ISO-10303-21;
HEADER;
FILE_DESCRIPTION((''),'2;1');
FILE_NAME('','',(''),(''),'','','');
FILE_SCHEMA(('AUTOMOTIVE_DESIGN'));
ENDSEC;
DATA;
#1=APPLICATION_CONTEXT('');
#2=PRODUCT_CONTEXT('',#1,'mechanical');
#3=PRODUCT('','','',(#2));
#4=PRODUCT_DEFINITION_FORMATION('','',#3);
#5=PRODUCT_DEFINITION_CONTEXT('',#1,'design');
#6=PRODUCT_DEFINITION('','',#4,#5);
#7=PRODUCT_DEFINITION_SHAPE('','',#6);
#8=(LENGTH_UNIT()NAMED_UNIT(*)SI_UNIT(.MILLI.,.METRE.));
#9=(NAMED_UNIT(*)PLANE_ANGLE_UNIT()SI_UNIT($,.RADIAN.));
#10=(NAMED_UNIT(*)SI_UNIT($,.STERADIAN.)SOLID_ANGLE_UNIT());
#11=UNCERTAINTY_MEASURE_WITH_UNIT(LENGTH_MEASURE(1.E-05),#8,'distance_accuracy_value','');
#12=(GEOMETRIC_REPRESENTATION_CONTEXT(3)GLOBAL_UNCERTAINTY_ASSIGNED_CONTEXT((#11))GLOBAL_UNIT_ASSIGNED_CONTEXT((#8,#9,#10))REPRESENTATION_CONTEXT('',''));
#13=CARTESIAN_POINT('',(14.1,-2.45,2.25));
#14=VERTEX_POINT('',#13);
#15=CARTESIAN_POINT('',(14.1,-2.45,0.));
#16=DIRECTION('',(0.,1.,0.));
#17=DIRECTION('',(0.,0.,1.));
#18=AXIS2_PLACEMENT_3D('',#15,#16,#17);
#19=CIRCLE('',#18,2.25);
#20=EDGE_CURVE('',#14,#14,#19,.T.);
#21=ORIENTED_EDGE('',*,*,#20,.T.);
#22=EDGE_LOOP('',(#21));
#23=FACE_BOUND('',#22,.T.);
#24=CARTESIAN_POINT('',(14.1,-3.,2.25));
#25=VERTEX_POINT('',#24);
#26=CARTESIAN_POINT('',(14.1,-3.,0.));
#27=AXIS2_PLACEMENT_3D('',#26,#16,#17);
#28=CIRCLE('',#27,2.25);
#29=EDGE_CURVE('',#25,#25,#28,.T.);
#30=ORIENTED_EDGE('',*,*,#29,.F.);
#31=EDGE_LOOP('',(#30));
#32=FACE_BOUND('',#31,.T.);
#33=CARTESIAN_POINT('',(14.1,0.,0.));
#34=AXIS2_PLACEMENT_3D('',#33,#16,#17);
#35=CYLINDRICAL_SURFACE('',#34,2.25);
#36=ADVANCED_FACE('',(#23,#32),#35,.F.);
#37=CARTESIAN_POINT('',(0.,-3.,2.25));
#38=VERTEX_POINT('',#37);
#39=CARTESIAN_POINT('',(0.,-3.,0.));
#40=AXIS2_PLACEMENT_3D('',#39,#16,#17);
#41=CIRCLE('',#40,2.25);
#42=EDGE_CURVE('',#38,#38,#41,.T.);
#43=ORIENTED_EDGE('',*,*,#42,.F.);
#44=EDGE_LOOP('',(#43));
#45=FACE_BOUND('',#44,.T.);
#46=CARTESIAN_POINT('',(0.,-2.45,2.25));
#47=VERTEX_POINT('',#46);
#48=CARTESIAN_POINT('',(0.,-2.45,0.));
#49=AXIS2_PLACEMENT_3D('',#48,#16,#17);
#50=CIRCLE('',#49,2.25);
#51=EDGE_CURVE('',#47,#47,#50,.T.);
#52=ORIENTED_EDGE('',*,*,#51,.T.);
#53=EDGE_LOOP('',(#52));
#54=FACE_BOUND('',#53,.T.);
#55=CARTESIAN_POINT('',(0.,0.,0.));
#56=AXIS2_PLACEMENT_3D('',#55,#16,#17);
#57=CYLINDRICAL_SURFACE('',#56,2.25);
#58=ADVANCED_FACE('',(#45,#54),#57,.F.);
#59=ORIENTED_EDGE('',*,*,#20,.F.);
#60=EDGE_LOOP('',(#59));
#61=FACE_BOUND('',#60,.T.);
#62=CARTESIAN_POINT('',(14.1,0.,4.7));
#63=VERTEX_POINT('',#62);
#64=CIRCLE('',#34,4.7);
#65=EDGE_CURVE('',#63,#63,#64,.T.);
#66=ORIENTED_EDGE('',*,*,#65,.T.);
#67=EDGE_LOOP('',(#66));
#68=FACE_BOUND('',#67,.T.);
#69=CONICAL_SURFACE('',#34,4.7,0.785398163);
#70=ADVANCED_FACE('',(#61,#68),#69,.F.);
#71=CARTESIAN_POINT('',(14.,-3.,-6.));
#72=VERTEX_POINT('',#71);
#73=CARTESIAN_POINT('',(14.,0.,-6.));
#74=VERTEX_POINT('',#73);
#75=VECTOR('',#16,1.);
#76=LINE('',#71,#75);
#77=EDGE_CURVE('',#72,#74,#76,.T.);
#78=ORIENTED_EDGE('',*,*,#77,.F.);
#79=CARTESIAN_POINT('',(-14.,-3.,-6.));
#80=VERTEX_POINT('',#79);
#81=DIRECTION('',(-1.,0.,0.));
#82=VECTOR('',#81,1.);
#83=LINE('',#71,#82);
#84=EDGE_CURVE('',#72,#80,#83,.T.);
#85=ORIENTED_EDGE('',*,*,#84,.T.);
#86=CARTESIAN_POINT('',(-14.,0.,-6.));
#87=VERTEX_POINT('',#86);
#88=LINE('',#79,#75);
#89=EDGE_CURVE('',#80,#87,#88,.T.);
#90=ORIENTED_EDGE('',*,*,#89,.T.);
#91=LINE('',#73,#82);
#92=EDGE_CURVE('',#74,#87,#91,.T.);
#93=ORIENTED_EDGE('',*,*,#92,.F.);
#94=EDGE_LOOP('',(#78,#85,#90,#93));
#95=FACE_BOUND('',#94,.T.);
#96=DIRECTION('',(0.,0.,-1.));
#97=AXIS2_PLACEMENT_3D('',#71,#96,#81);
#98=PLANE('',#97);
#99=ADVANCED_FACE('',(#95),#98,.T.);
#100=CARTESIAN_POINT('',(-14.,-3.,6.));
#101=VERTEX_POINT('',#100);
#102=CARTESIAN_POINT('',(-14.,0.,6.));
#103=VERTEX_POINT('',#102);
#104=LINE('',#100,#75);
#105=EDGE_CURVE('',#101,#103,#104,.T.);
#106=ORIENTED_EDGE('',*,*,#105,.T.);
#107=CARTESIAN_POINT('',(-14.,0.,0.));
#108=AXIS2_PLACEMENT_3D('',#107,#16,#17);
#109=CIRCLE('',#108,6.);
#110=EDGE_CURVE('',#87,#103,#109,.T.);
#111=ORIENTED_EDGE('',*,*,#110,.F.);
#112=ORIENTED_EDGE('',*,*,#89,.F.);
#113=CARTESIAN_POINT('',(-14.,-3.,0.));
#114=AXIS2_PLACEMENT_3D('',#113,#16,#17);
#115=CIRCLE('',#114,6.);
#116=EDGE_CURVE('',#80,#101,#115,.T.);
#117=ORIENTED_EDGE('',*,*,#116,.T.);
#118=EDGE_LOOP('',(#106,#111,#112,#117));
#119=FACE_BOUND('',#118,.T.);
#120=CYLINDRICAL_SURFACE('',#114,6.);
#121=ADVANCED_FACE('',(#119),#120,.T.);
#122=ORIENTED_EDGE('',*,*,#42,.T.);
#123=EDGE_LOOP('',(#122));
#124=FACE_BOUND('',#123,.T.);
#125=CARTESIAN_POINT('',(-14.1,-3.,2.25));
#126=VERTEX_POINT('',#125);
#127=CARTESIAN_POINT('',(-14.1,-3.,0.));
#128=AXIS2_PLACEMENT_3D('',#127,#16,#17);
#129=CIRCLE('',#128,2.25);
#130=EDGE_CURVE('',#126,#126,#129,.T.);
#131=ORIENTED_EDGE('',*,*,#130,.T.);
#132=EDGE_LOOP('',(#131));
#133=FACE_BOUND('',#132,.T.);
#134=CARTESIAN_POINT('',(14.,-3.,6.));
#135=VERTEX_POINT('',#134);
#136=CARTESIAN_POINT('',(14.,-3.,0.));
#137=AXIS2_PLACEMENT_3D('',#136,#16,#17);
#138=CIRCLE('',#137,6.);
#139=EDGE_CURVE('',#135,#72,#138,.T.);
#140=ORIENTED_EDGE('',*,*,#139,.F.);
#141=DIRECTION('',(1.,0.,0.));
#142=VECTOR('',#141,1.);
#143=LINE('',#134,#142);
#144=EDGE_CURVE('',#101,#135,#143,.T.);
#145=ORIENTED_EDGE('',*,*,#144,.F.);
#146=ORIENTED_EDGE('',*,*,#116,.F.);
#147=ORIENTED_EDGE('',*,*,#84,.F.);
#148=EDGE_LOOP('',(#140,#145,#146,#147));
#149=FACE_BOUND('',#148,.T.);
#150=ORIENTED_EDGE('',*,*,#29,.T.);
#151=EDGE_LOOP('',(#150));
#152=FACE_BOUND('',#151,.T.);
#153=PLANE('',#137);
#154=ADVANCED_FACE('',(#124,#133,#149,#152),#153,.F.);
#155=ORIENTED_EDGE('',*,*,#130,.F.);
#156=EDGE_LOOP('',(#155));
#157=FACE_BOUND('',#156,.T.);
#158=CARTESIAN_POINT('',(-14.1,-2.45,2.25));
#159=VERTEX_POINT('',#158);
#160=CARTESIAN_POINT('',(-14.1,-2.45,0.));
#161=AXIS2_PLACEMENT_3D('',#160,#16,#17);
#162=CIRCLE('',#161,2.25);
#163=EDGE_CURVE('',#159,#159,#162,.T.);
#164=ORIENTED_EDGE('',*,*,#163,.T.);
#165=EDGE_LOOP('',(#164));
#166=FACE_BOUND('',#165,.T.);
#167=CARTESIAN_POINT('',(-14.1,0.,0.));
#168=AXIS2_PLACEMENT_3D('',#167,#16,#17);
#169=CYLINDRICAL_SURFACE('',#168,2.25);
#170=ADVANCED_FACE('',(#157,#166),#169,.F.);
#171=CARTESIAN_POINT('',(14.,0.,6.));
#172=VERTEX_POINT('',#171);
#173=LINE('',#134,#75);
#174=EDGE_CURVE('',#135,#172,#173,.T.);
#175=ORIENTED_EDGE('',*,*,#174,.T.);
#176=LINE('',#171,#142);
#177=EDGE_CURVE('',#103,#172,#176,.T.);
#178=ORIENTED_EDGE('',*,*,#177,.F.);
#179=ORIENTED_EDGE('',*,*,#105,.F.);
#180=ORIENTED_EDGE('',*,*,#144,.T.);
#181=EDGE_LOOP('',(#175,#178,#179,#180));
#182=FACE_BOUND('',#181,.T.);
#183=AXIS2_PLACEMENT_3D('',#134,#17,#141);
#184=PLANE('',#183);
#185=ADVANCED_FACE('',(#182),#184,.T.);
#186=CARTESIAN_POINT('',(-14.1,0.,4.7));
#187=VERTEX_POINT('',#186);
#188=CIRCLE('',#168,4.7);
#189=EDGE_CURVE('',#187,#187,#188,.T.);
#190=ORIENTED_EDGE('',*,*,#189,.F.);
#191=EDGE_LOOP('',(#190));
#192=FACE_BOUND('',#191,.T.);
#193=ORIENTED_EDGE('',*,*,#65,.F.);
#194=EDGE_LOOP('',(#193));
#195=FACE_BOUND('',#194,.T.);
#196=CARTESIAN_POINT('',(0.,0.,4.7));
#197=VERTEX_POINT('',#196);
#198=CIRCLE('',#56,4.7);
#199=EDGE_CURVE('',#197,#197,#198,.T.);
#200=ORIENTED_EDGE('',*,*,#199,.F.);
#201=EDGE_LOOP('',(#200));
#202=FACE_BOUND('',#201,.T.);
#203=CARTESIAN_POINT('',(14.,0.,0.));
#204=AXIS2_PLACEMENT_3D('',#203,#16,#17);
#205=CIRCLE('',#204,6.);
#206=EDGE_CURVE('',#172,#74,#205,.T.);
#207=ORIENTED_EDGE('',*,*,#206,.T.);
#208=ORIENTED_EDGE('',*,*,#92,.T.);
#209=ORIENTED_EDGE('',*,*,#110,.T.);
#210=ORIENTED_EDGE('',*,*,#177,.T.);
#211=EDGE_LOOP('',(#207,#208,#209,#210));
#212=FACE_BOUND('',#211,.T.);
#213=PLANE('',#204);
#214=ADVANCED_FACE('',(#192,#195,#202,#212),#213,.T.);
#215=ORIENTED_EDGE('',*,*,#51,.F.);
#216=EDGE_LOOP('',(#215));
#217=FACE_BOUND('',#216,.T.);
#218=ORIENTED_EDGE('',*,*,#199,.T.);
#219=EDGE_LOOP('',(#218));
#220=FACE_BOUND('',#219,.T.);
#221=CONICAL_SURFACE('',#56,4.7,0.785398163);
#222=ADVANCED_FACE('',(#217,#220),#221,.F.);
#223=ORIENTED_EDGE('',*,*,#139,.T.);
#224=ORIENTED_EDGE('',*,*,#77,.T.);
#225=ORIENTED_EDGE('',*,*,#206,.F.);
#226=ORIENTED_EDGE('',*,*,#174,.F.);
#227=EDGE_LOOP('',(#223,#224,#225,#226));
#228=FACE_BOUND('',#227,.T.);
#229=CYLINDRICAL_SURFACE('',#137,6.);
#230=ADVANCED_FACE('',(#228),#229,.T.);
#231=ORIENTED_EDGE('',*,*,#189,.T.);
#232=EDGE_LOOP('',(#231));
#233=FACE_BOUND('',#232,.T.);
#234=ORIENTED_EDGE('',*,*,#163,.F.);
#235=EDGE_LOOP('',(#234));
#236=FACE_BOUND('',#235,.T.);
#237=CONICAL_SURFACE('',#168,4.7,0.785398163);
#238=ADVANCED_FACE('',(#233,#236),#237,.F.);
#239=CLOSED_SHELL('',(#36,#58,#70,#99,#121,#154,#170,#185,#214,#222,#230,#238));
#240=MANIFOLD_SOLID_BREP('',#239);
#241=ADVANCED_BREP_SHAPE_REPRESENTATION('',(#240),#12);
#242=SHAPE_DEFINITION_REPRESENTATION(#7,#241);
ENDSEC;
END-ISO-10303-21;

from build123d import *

# Parameters (mm, degrees)
BOSS_EXTRUDE1_DEPTH                            = 3
CSK_FOR_M4_FLAT_HEAD_MACHINE_SCREW7_AT_2_COUNT = 2
CSK_FOR_M4_FLAT_HEAD_MACHINE_SCREW7_AT_2_PITCH = 14.1
CSK_FOR_M4_FLAT_HEAD_MACHINE_SCREW7_AT_3_COUNT = 2
CSK_FOR_M4_FLAT_HEAD_MACHINE_SCREW7_AT_3_PITCH = 14.1


with BuildPart() as part:
    # Sketch2 → Boss-Extrude1 (new body)
    with BuildSketch(Plane(origin=(0, 0, 0), x_dir=(1, 0, 0), z_dir=(0, 1, 0))):
        with BuildLine():
            Line((14, -6), (-14, -6))
            ThreePointArc((-14, -6), (-20, 0), (-14, 6))
            Line((-14, 6), (14, 6))
            ThreePointArc((14, 6), (20, 0), (14, -6))
        make_face()
    extrude(amount=-BOSS_EXTRUDE1_DEPTH)

    # Sketch22 → CSK for M4 Flat Head Machine Screw7 (revolve, cut)
    with BuildSketch(Plane(origin=(0, 0, 0), x_dir=(0, 0, 1), z_dir=(1, 0, 0))):
        Polygon((0, 0), (0, 3), (2.25, 3), (2.25, 2.45), (4.7, 0), align=None)
    csk_for_m4_flat_head_machine_screw7 = revolve(axis=Axis((0, 6.35, 0), (0, -1, 0)), mode=Mode.SUBTRACT)

    # CSK for M4 Flat Head Machine Screw7 at 2: CSK for M4 Flat Head Machine Screw7 ×2
    with Locations(*[(-i * CSK_FOR_M4_FLAT_HEAD_MACHINE_SCREW7_AT_2_PITCH, 0, 0) for i in range(1, CSK_FOR_M4_FLAT_HEAD_MACHINE_SCREW7_AT_2_COUNT)]):
        add(csk_for_m4_flat_head_machine_screw7, mode=Mode.SUBTRACT)

    # CSK for M4 Flat Head Machine Screw7 at 3: CSK for M4 Flat Head Machine Screw7 ×2
    with Locations(*[(i * CSK_FOR_M4_FLAT_HEAD_MACHINE_SCREW7_AT_3_PITCH, 0, 0) for i in range(1, CSK_FOR_M4_FLAT_HEAD_MACHINE_SCREW7_AT_3_COUNT)]):
        add(csk_for_m4_flat_head_machine_screw7, mode=Mode.SUBTRACT)


solid = part.part
